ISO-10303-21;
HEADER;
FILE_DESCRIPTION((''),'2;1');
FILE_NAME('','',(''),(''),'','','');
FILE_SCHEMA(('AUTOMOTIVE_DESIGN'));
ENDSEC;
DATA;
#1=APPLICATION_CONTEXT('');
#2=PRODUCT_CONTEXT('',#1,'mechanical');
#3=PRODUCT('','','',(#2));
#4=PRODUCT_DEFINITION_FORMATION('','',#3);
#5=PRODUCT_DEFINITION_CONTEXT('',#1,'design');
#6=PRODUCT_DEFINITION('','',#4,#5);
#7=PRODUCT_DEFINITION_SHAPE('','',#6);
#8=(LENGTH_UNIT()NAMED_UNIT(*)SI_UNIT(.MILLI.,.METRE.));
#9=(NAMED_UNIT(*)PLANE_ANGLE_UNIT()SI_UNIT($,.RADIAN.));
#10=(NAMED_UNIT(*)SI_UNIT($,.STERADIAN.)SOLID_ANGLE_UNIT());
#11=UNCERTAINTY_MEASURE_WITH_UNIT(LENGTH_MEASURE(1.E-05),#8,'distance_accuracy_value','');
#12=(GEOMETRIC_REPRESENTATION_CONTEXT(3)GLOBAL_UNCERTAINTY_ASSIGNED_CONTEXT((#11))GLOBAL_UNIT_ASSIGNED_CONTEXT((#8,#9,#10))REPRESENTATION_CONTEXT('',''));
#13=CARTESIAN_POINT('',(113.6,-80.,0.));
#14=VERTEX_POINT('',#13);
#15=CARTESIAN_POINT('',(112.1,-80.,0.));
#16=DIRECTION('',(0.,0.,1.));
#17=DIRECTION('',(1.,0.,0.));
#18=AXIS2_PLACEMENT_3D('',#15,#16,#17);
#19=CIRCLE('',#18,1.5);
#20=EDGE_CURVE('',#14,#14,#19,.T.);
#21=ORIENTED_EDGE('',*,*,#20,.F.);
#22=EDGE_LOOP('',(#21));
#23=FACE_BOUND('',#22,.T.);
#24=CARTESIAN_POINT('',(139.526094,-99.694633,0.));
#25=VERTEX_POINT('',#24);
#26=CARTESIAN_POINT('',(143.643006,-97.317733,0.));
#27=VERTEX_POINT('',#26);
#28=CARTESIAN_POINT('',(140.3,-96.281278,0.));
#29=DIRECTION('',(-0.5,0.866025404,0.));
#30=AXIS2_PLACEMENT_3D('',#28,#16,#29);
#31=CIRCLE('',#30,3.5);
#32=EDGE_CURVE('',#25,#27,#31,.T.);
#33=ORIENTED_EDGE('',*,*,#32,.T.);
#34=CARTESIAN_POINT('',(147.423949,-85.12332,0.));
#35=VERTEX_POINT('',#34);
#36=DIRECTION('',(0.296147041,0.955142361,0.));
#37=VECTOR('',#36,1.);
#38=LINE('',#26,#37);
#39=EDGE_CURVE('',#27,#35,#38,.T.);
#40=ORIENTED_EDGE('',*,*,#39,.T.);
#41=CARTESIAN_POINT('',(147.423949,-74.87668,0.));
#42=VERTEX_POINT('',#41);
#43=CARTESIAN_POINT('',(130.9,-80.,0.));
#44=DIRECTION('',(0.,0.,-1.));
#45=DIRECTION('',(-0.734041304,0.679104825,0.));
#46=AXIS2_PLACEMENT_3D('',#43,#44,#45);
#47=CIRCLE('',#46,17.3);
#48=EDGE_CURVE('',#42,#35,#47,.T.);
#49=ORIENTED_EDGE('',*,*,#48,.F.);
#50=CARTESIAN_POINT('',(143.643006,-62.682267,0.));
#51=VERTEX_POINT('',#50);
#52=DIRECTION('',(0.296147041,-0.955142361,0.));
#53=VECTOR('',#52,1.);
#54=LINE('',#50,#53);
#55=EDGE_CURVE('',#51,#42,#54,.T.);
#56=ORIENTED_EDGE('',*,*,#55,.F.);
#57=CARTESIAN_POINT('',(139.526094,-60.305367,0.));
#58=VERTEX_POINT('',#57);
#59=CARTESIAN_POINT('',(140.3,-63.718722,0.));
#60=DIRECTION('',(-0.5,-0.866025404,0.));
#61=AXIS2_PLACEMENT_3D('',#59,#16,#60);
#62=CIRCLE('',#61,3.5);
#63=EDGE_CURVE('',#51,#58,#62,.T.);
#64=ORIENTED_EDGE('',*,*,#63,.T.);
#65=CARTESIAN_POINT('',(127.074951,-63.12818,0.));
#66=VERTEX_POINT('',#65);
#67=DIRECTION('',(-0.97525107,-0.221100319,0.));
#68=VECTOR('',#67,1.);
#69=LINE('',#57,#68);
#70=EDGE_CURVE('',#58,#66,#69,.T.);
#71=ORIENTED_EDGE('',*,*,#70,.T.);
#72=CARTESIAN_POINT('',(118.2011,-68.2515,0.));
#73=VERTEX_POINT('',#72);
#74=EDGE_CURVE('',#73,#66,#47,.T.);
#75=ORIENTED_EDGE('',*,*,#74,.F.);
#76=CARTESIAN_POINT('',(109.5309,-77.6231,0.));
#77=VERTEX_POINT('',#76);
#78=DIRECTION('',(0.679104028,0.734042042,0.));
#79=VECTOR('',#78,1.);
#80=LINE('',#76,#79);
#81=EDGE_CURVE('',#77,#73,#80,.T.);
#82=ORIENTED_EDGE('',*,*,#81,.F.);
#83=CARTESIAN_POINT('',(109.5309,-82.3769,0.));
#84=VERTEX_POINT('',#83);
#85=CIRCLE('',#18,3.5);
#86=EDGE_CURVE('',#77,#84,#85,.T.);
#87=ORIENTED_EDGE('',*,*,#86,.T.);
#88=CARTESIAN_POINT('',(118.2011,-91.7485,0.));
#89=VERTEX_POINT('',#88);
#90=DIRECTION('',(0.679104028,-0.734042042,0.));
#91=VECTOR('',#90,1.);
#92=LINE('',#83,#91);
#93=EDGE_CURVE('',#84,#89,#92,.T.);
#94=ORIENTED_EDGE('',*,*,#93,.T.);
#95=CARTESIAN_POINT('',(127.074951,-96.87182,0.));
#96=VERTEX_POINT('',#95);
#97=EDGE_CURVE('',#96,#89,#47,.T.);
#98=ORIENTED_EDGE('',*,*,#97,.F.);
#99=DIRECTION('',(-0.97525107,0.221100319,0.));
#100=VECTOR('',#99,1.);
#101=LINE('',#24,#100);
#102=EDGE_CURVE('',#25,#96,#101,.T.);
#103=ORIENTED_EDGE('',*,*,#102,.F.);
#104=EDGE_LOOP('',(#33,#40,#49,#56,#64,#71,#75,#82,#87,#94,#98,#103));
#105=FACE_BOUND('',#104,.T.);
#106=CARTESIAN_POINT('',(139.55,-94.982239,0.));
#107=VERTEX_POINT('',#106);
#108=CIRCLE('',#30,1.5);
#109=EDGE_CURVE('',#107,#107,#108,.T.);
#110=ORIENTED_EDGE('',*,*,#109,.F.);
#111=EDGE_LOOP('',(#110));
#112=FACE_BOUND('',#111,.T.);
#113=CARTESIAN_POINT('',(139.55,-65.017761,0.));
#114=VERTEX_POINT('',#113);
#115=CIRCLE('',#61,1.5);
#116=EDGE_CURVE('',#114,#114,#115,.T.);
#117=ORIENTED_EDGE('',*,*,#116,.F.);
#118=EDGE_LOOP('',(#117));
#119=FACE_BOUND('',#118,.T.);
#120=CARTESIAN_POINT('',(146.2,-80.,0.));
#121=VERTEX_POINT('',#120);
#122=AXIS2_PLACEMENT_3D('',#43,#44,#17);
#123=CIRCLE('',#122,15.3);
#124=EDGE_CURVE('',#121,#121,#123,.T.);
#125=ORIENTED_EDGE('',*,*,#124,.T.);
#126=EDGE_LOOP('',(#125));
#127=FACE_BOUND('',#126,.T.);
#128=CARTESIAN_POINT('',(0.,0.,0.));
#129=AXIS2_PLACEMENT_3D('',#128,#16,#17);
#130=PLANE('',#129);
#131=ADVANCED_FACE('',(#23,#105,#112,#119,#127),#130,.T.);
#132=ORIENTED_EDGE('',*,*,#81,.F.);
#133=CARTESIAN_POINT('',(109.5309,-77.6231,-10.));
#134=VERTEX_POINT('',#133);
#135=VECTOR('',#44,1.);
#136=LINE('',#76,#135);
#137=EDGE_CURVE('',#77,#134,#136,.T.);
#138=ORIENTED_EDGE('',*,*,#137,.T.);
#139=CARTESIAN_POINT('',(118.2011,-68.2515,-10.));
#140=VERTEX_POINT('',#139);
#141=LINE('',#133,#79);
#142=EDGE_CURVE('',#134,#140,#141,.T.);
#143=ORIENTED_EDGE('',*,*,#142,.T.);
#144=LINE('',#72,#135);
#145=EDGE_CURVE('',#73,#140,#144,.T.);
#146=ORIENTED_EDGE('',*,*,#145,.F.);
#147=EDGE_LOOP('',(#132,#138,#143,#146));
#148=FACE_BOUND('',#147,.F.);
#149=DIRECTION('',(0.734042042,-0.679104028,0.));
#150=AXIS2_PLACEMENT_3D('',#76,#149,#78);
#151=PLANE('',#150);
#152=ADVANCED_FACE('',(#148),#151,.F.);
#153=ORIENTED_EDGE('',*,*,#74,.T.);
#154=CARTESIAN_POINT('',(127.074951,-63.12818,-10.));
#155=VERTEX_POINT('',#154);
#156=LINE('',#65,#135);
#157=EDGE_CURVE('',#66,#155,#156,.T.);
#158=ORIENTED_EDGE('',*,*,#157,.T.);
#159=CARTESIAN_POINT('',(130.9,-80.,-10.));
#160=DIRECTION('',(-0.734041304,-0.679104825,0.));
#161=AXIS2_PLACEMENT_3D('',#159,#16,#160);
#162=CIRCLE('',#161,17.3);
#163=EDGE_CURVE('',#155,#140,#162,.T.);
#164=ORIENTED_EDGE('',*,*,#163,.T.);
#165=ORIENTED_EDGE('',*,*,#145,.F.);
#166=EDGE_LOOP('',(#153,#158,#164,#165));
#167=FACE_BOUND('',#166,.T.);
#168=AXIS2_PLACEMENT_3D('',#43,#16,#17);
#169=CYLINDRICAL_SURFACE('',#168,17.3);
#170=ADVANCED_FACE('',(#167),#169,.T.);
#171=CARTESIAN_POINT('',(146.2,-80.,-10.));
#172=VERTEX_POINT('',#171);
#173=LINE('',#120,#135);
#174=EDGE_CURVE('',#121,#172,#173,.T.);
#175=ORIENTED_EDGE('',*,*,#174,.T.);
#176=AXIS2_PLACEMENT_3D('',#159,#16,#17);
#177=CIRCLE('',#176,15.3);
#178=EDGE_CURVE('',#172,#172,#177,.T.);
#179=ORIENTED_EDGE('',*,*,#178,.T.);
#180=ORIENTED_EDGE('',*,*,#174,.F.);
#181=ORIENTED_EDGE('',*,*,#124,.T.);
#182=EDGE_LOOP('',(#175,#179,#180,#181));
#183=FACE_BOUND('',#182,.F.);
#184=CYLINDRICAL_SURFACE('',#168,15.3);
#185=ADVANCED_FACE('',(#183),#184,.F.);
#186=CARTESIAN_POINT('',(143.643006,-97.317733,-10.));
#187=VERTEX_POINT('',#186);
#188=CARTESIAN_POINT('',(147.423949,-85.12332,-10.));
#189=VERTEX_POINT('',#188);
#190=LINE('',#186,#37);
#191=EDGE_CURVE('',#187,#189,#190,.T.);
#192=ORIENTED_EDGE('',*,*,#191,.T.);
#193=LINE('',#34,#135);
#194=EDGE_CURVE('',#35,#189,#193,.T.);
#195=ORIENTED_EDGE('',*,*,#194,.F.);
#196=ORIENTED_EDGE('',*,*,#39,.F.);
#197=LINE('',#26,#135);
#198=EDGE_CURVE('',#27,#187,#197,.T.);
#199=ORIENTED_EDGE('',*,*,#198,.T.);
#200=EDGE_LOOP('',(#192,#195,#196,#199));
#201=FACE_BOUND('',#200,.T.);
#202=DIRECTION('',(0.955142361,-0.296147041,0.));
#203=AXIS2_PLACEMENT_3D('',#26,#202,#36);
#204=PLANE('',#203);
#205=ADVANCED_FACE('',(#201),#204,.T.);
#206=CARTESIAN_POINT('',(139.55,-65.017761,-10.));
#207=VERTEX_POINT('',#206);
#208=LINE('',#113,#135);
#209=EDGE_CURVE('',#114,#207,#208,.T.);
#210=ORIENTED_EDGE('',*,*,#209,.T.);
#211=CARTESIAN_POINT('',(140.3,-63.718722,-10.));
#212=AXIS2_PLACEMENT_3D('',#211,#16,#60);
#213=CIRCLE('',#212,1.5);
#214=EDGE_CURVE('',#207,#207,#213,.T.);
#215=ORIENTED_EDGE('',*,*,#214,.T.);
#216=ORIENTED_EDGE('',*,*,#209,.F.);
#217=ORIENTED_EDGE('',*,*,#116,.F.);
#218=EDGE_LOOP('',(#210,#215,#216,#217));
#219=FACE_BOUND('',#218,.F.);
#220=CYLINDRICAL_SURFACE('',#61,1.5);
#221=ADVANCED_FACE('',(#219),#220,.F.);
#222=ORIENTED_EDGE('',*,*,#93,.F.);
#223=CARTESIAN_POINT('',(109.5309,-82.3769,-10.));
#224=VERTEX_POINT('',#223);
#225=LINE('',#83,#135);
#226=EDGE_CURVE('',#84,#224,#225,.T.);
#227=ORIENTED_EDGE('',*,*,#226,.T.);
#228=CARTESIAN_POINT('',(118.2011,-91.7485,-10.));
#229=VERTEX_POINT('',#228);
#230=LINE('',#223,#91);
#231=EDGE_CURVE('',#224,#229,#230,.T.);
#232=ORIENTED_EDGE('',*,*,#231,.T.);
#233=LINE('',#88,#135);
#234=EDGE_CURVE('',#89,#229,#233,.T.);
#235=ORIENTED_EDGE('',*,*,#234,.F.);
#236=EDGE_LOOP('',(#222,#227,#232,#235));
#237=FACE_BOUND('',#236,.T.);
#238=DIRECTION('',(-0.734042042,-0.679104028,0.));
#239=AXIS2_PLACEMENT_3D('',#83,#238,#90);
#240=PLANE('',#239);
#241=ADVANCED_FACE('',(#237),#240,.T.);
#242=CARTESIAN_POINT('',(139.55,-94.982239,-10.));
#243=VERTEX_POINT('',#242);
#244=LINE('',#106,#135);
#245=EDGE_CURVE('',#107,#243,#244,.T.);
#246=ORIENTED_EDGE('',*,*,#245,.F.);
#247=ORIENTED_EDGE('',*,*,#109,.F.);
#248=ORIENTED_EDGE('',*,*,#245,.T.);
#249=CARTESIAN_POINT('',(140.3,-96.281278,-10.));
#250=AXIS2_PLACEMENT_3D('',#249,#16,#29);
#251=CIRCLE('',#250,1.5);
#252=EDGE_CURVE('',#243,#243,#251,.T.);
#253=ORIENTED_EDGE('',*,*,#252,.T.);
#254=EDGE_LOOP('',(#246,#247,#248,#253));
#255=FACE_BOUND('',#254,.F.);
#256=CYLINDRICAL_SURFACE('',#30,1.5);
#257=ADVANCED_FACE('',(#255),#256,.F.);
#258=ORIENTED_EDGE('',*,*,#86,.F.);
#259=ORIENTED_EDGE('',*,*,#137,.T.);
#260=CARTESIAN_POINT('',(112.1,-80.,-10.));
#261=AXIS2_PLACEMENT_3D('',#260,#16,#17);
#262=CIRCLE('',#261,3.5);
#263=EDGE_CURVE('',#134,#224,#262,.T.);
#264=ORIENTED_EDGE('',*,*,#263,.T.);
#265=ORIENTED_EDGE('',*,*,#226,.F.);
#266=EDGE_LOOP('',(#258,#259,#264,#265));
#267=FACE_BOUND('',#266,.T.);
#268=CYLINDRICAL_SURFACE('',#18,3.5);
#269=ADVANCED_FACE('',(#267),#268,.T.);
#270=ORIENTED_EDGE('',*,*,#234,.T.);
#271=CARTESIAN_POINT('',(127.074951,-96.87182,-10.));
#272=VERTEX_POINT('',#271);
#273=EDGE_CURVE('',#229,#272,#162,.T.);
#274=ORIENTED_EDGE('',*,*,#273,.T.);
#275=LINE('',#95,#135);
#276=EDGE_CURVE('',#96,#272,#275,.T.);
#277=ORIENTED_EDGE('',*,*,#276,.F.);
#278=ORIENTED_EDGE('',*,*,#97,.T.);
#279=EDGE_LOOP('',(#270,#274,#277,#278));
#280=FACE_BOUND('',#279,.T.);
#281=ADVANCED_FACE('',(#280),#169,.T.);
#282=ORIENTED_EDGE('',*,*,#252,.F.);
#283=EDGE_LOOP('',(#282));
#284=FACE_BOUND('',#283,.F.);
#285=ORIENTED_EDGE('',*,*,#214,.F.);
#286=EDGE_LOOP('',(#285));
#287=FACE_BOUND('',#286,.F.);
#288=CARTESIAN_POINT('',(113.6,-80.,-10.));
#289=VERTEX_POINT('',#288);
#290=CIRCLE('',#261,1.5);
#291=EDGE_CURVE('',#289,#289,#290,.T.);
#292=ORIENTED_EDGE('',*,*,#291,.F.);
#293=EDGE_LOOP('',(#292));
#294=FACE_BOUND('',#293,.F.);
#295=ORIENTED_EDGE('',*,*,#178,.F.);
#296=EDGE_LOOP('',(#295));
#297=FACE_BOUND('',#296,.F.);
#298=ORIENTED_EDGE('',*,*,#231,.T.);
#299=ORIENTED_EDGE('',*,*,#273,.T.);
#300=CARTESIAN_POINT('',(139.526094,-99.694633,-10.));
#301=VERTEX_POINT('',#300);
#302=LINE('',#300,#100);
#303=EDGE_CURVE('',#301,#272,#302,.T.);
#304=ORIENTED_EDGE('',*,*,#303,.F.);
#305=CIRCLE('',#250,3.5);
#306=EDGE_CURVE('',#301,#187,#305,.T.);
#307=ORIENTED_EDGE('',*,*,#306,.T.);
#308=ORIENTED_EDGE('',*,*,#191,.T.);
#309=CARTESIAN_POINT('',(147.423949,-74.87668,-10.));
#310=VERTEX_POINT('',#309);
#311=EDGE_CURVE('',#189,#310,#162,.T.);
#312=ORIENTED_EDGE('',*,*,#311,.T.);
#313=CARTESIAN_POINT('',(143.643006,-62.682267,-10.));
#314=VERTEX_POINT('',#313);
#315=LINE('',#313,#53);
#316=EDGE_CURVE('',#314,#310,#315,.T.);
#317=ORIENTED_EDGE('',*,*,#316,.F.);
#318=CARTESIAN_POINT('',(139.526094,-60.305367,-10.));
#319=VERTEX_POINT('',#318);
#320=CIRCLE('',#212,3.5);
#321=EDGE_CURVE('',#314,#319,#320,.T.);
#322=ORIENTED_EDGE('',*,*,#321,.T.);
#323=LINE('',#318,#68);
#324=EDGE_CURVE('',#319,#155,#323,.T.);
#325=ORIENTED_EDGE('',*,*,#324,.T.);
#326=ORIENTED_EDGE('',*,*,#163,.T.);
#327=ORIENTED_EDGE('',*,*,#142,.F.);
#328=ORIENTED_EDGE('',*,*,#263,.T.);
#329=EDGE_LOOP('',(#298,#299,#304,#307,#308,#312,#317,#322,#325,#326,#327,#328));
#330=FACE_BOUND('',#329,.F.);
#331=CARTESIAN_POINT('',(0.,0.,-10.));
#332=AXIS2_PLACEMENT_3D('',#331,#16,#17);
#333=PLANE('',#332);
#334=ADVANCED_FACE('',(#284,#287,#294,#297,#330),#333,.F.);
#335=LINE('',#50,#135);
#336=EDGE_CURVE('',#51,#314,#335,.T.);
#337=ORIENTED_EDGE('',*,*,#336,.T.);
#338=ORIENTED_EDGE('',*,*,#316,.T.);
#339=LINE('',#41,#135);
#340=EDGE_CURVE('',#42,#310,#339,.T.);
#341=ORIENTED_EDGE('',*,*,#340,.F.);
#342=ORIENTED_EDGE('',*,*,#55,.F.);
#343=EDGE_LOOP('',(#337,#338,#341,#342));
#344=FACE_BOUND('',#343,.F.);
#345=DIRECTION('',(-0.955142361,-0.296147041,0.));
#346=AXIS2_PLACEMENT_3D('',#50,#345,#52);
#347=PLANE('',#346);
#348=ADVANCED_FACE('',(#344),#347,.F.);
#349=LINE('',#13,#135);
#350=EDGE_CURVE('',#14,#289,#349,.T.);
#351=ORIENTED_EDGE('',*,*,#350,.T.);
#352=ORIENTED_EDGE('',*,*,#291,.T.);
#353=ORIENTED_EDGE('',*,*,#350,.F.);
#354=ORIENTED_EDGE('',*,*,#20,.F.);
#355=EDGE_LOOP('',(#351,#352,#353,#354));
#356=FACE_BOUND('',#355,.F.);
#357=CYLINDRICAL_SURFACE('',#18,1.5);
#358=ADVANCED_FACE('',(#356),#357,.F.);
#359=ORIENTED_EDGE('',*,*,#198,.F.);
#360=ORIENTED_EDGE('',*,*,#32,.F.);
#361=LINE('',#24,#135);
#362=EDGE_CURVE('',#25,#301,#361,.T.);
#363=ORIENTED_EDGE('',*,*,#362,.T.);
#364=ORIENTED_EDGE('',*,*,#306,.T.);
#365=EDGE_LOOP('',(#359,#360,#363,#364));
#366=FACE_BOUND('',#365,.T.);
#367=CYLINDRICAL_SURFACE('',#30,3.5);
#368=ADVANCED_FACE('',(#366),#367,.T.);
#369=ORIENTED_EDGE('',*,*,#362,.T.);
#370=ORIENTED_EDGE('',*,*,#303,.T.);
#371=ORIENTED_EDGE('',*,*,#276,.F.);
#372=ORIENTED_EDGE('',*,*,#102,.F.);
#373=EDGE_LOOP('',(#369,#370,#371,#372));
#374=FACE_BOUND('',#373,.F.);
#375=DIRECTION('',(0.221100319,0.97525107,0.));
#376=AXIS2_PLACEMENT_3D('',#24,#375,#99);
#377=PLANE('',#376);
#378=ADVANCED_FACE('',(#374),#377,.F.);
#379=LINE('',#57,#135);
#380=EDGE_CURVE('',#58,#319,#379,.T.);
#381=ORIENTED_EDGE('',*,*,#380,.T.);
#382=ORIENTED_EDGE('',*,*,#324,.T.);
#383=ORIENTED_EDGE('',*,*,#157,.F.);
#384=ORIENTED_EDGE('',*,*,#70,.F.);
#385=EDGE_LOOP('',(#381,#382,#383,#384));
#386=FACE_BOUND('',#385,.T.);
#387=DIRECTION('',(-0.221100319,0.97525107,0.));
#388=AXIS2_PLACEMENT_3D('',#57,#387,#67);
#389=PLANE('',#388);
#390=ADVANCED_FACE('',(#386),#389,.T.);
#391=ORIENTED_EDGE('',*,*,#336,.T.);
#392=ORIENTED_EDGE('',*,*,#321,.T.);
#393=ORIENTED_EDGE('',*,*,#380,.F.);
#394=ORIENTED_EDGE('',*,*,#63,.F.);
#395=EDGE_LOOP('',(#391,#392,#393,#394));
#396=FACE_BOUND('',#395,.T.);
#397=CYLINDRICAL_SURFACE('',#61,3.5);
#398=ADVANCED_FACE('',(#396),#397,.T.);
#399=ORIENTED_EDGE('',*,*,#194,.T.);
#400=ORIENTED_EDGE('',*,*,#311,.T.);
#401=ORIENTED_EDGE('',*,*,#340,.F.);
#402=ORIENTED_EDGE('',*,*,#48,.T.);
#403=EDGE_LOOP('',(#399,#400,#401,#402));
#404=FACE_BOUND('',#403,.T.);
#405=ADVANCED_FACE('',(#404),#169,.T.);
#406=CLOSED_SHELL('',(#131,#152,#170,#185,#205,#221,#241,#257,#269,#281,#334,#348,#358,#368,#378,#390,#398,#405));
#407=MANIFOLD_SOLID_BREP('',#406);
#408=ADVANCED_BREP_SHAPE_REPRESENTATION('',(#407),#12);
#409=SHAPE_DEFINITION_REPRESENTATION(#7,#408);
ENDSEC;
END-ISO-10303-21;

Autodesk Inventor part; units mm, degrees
ref_plane "YZ Plane" through (0, 0, 0) normal (1, 0, 0) x (0, 1, 0)
ref_plane "XZ Plane" through (0, 0, 0) normal (0, 1, 0) x (-1, 0, 0)
ref_plane "XY Plane" through (0, 0, 0) normal (0, 0, 1) x (1, 0, 0)
sketch "Sketch1" plane through (0, 0, 0) normal (0, 0, 1) x (1, 0, 0)
  circle A0 centre (130.9, -80) radius 15 construction
  line L0 (0, 0) -> (117.2543, 0) construction
  line L1 (-60.9, -65.8) -> (60.9, -65.8) projected
  line L2 (60.9, -94.2) -> (60.9, -65.8) projected
  line L3 (60.9, -94.2) -> (-60.9, -94.2) projected
  line L4 (-60.9, -65.8) -> (-60.9, -94.2) projected
  circle A1 centre (130.9, -80) radius 15.3
  circle A2 centre (130.9, -80) radius 17.3
  circle A3 centre (112.1, -80) radius 1.5
  circle A4 centre (112.1, -80) radius 3.5
  line L5 (109.5309, -77.6231) -> (118.2011, -68.2515)
  line L6 (109.5309, -82.3769) -> (118.2011, -91.7485)
  circle A5 centre (-45.9, -80) radius 3.15 projected
  circle A6 centre (45.9, -80) radius 3.15 projected
  point P0 (60.9, -80)
  dimension "d0" = 30
  dimension "d1" = 70
  dimension "d2" = 0.3
  dimension "d3" = 2
  dimension "d4" = 3
  dimension "d6" = 2
extrude "Extrusion1" add sketch "Sketch1" against normal blind 10 contours A4 A2 | A4 A2 | A4 L5 A2 | A2 A4 | A2 L6 A4
pattern_circular "Circular Pattern1" count 3 over 360 about axis through (130.9, -80, 0) along (0, 0, -1) of "Extrusion1"
properties part number "Chamber Holder"
